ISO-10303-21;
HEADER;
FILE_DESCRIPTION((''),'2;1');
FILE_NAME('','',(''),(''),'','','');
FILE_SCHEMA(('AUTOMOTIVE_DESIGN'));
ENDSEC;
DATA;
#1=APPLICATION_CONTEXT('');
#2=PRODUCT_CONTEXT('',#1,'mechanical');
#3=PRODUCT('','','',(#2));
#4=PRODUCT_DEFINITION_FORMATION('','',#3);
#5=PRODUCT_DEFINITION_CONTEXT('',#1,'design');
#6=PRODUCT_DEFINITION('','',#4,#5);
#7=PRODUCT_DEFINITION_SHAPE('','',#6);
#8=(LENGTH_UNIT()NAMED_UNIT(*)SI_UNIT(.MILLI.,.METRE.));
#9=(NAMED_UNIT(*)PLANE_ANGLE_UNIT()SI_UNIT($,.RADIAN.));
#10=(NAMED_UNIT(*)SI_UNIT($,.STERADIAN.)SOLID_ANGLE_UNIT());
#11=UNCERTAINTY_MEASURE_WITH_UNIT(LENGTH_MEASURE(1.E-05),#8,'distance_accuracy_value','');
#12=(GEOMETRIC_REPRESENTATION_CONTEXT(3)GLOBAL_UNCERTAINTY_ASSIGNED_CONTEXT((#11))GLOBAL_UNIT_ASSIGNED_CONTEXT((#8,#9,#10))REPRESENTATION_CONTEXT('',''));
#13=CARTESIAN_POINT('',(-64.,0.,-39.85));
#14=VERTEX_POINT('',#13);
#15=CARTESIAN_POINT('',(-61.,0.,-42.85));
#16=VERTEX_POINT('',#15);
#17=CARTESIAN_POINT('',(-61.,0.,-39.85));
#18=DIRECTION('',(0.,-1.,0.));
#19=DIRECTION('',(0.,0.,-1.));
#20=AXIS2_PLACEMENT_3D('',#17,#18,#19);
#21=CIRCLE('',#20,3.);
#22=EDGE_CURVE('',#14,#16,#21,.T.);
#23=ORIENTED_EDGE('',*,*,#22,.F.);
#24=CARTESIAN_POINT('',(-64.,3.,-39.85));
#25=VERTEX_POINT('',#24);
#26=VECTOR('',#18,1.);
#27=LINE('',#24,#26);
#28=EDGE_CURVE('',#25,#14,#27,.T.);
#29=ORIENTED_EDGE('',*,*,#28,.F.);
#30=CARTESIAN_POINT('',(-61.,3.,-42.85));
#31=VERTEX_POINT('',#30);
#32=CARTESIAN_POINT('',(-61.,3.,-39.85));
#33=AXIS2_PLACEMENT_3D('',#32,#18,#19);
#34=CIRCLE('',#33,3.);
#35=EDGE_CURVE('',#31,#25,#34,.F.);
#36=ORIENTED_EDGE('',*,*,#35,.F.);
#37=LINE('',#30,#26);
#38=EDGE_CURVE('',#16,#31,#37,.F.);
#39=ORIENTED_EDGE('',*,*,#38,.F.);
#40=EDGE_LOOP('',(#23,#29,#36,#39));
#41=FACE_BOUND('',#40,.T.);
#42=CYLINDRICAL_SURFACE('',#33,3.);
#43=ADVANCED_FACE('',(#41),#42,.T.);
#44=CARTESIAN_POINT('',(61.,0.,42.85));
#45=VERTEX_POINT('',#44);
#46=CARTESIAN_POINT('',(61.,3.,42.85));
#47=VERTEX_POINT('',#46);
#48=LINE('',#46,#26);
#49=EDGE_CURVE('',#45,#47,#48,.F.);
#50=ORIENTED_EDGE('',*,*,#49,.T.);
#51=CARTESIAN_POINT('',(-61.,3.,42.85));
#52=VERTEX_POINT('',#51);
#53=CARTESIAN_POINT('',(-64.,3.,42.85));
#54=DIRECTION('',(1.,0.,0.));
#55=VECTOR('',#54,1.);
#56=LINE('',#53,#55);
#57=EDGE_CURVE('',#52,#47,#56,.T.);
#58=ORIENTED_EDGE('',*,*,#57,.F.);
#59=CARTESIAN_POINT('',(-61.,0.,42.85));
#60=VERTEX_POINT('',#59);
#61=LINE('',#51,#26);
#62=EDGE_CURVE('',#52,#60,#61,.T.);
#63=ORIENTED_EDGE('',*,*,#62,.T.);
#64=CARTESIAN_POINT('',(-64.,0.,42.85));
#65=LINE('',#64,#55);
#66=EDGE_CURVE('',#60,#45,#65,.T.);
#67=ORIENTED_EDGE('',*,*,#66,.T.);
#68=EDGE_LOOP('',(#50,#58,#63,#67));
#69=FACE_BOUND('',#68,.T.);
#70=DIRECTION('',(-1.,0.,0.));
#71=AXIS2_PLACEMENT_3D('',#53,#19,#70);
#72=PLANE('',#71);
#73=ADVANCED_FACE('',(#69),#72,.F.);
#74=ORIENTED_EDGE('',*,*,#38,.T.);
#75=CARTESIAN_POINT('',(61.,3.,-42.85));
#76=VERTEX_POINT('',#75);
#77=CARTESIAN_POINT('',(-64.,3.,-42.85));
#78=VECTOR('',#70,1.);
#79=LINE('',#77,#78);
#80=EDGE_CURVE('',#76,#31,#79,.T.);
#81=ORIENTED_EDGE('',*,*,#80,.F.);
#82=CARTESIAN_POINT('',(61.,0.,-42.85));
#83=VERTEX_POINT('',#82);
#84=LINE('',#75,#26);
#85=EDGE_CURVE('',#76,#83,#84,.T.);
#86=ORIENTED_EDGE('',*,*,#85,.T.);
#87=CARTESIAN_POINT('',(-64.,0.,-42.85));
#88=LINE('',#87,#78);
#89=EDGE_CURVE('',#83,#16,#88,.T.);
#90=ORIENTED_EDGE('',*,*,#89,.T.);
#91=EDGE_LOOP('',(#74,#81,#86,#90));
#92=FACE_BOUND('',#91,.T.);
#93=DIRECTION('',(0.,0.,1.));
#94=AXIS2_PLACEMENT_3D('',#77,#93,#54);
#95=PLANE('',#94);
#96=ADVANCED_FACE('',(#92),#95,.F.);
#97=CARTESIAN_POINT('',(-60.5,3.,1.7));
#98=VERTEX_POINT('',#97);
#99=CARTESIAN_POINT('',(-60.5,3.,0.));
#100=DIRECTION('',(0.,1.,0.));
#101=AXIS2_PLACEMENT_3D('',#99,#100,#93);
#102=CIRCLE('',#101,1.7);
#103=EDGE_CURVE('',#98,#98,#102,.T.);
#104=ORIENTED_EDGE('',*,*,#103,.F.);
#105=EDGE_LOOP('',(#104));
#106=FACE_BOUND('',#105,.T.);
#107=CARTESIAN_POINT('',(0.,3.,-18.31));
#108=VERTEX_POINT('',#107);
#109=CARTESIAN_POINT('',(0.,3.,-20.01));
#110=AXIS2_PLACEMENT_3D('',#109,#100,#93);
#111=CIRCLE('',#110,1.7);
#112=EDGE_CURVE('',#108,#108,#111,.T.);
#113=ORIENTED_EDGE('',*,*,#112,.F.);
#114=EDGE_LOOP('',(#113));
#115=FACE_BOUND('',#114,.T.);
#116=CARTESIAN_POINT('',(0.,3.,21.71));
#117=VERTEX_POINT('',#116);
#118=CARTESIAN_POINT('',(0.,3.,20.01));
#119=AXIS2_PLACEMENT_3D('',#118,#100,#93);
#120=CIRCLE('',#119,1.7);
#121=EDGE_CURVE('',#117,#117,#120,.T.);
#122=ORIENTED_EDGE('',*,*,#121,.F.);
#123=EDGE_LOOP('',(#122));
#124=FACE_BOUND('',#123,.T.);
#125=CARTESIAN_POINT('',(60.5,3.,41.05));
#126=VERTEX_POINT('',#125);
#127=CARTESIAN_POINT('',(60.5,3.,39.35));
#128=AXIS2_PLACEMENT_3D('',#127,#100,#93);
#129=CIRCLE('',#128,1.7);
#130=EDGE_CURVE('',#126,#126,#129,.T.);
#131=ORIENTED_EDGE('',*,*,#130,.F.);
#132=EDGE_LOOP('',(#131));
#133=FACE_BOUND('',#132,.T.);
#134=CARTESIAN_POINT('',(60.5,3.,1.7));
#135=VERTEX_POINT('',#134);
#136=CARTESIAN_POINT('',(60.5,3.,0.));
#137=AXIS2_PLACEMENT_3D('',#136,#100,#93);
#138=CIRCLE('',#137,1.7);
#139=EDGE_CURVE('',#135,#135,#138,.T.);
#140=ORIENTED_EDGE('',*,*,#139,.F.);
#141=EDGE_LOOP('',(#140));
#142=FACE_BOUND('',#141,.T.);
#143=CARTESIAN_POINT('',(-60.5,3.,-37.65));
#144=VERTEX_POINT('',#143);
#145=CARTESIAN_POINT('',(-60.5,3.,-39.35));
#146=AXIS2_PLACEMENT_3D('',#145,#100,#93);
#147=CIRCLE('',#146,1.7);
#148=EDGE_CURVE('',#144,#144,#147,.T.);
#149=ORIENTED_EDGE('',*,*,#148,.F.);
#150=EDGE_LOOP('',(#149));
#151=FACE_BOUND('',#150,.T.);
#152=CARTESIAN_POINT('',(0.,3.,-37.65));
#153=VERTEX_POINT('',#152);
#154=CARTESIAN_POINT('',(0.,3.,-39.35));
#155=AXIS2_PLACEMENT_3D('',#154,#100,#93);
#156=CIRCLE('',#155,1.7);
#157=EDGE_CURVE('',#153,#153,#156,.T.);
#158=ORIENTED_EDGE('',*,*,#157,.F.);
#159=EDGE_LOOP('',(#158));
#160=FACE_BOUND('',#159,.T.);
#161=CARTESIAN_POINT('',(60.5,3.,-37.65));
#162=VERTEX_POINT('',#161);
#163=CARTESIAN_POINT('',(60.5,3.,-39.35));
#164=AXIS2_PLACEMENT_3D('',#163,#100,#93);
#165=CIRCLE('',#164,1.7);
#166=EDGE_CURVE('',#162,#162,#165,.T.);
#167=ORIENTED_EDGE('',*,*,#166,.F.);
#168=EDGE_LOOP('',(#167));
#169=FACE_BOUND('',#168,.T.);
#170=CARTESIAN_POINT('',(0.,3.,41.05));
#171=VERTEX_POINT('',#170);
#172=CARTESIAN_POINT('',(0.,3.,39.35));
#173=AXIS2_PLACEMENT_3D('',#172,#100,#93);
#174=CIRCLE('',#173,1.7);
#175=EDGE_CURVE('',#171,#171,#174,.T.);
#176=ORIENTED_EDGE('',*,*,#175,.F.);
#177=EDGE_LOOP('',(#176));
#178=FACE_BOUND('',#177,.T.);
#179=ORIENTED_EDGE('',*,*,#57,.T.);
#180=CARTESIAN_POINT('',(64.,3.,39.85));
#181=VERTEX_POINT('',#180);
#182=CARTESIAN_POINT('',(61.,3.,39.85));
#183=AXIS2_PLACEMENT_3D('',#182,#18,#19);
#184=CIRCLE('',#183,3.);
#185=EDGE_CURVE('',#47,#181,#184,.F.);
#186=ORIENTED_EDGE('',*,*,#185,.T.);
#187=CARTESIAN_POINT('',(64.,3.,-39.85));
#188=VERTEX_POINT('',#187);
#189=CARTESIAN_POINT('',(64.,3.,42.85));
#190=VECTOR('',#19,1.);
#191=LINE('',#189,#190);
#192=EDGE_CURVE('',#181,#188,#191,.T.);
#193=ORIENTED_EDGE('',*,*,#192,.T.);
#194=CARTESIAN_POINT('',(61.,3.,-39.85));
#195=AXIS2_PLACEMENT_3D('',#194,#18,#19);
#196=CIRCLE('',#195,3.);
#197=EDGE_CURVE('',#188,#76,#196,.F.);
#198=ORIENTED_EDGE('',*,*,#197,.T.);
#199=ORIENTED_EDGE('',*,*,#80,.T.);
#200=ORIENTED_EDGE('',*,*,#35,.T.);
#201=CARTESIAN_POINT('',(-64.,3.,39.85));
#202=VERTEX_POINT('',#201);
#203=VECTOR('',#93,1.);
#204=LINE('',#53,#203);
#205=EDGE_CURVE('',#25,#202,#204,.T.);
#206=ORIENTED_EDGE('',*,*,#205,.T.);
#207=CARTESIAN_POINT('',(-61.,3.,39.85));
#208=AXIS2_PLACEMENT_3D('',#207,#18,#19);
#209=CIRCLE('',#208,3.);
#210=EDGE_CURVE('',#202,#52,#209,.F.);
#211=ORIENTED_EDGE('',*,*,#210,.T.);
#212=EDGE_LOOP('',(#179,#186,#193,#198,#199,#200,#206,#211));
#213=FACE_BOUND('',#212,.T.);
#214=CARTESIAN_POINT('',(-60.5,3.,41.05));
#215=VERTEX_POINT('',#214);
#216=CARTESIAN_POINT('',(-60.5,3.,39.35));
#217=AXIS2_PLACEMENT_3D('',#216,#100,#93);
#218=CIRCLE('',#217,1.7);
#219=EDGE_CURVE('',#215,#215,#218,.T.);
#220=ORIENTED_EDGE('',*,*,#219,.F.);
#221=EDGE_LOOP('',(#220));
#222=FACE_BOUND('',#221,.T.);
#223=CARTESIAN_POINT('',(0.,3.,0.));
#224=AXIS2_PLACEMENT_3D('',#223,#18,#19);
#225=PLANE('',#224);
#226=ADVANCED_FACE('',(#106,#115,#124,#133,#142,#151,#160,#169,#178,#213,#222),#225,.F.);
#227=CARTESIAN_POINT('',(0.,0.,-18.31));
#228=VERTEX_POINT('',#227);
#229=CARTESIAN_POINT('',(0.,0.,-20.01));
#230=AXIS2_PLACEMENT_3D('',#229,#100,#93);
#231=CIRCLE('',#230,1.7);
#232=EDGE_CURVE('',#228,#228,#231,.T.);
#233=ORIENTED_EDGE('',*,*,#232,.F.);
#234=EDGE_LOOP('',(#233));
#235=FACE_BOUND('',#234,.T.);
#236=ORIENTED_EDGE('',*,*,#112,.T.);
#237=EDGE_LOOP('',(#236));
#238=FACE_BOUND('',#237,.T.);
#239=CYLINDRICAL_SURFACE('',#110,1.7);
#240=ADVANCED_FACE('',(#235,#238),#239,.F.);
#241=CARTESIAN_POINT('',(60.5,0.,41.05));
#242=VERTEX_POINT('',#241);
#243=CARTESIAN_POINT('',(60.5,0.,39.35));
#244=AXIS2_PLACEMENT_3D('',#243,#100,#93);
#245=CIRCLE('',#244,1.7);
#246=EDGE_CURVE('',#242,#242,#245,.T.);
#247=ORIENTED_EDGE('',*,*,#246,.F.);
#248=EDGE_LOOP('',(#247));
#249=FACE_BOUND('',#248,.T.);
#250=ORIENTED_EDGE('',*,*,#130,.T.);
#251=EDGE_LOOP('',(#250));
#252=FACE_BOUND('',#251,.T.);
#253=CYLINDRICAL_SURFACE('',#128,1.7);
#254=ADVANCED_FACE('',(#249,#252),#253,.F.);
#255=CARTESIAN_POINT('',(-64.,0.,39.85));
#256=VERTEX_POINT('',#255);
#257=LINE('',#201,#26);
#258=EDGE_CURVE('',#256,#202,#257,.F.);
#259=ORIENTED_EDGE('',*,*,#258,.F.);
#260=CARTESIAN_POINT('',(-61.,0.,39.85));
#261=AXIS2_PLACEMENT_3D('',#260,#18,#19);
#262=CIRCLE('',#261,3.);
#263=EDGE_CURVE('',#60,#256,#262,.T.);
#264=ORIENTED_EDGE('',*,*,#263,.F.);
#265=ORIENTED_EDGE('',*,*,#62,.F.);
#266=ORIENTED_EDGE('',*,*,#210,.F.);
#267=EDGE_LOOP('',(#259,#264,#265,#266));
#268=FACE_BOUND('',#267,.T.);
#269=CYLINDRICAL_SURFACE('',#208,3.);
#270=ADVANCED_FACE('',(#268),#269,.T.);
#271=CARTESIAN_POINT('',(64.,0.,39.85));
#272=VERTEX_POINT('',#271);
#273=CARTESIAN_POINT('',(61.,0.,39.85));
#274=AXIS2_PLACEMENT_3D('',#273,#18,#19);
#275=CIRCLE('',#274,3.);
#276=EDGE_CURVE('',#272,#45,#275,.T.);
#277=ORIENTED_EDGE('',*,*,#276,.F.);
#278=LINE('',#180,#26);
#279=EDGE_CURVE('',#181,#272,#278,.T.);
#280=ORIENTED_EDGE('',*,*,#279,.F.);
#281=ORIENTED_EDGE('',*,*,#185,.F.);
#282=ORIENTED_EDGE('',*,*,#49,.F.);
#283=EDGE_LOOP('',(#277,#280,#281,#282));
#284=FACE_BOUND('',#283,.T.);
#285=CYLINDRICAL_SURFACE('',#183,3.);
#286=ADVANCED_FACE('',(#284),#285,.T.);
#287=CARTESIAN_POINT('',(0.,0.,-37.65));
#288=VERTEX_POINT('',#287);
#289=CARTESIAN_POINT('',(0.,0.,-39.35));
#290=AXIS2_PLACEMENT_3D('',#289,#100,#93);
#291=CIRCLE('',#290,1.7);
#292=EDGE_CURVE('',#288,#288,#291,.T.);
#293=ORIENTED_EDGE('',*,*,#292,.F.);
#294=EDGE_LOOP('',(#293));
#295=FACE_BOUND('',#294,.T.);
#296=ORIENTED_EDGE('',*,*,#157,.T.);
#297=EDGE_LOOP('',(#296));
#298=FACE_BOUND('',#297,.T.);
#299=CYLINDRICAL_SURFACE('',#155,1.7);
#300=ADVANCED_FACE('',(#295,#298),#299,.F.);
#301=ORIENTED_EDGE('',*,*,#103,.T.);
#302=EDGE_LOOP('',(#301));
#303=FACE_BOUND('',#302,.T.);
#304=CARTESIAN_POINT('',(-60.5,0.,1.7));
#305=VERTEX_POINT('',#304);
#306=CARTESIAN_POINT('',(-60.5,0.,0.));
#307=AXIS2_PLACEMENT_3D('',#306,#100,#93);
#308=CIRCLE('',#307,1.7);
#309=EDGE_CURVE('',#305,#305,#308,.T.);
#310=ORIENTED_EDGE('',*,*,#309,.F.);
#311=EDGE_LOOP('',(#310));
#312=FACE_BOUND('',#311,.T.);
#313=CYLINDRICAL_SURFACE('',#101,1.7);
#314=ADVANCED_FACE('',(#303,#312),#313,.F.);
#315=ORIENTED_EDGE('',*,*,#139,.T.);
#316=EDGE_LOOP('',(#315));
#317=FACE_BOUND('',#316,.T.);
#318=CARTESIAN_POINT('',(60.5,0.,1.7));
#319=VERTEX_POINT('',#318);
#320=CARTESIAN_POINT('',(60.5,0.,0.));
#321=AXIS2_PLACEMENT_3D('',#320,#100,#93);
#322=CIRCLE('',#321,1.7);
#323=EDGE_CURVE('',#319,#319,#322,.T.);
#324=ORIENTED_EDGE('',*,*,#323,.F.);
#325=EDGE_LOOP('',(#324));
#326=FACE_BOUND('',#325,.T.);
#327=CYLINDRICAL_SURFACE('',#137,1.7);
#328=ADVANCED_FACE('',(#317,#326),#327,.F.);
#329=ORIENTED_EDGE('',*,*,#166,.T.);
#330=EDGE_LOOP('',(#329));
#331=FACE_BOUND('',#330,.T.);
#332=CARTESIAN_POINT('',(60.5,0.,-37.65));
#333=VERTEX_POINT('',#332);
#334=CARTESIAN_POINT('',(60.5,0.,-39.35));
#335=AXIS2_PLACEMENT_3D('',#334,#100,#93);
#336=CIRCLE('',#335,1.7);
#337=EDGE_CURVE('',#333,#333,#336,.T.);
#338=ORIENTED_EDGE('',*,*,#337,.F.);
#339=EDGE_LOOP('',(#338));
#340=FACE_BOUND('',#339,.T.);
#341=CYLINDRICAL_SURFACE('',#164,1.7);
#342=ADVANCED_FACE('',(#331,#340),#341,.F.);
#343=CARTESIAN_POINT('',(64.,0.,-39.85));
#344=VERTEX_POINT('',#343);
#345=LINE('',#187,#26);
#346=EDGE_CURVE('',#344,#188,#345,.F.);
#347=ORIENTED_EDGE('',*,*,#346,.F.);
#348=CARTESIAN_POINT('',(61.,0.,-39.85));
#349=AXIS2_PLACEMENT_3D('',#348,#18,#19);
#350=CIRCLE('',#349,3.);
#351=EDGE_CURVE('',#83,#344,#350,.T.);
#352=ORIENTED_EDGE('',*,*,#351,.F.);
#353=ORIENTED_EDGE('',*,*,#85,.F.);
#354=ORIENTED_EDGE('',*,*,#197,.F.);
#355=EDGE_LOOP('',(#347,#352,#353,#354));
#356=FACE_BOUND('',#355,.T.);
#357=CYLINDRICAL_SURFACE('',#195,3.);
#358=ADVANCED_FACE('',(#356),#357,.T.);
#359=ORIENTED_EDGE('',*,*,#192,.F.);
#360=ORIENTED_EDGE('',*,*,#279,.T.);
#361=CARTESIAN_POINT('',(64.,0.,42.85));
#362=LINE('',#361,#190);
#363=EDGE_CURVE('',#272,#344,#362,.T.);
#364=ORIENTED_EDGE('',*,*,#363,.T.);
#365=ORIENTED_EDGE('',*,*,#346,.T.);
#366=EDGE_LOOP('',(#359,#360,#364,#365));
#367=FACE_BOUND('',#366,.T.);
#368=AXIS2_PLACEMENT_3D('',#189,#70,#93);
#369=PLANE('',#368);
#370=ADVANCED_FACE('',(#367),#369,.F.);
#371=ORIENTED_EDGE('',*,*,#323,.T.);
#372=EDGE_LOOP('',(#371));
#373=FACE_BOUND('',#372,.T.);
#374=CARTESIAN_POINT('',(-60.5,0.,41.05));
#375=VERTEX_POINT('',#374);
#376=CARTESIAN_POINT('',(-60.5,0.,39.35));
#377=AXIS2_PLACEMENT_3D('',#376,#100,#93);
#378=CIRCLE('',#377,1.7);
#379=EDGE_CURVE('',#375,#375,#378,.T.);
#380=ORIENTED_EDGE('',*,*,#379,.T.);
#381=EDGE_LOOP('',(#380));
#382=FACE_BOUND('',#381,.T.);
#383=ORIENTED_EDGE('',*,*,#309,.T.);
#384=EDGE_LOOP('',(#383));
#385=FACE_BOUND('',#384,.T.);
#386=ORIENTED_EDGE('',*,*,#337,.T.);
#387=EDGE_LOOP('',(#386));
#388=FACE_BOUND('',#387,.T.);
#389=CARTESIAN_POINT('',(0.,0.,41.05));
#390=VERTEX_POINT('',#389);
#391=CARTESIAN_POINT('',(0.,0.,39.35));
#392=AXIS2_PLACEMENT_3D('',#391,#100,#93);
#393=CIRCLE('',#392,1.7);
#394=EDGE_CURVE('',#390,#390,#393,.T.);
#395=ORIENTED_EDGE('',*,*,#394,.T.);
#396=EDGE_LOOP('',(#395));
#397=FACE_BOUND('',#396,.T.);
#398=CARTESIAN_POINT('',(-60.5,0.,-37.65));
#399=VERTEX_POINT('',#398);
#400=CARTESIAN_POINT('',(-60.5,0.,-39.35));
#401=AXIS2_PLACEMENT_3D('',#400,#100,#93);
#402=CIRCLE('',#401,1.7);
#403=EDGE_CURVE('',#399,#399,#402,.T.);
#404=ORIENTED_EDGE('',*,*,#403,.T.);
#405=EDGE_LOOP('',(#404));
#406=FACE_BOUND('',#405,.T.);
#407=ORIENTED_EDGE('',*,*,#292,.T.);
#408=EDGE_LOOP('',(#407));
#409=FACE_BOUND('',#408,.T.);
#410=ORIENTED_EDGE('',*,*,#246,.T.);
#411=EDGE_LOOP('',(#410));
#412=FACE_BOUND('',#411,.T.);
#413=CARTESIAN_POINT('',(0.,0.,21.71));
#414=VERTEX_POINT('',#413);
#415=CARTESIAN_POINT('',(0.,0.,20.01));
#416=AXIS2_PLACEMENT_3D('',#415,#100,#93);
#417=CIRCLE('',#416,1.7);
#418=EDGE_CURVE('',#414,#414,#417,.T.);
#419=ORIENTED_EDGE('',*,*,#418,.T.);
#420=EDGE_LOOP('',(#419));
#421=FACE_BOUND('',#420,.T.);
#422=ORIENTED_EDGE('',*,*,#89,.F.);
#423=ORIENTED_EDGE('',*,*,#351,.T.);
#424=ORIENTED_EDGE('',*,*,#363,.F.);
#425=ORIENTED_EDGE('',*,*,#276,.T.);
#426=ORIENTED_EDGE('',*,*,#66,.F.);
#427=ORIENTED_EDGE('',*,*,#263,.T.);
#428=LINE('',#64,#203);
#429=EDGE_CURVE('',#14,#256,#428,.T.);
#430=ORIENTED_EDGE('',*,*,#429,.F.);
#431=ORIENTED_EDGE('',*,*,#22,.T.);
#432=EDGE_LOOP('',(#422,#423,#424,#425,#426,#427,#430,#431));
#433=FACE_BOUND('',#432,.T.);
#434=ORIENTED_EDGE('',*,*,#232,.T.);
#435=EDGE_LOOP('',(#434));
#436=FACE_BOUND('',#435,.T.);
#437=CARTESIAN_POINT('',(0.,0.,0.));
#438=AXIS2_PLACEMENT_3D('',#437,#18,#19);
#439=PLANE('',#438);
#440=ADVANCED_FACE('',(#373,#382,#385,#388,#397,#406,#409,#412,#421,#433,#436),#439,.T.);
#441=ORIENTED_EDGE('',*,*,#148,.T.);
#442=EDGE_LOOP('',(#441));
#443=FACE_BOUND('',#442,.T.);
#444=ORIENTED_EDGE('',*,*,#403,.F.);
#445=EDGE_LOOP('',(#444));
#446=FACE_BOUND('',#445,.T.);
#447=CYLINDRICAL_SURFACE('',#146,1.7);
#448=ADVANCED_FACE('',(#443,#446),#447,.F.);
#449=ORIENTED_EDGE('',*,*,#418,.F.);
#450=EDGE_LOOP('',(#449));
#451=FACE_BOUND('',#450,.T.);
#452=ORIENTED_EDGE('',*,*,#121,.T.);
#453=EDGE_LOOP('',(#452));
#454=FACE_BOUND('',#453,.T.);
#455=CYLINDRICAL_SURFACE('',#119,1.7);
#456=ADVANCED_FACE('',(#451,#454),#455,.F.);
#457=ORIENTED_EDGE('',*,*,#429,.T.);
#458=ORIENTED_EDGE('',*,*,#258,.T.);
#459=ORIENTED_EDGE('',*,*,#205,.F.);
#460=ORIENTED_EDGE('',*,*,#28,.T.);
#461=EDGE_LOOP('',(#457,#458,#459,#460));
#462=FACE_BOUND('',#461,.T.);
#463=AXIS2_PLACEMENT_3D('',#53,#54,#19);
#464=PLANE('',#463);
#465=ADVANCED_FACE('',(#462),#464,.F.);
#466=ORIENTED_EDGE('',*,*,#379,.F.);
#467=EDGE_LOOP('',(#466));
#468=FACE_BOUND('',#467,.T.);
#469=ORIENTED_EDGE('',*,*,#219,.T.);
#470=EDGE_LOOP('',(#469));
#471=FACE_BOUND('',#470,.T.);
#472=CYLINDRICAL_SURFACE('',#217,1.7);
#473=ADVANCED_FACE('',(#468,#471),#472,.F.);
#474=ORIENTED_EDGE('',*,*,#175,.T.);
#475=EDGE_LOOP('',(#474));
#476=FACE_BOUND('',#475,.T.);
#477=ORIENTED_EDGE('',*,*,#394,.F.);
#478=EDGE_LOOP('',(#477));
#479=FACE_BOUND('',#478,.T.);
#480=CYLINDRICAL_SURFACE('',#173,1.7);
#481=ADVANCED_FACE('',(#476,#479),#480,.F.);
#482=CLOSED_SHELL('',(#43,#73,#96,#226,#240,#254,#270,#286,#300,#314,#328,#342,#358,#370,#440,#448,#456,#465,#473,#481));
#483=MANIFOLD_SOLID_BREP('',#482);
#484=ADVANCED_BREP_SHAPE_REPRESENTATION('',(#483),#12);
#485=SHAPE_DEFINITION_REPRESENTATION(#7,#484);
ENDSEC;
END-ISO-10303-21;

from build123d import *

# Parameters (mm, degrees)
SKETCH1_W            = 128
SKETCH1_H            = 85.7
BOSS_EXTRUDE1_DEPTH  = 3
M3_CLEARANCE_HOLE1_D = 3.4
FILLET1_R            = 3


with BuildPart() as part:
    # Sketch1 → Boss-Extrude1 (new body)
    with BuildSketch(Plane(origin=(0, 0, 0), x_dir=(1, 0, 0), z_dir=(0, 1, 0))):
        Rectangle(SKETCH1_W, SKETCH1_H)
    extrude(amount=BOSS_EXTRUDE1_DEPTH)

    # M3 Clearance Hole1 (through all)
    with Locations(Plane(origin=(0, 3, 0), x_dir=(1, 0, 0), z_dir=(0, 1, 0))):
        with Locations((-60.5, 39.35), (0, 39.35), (60.5, 39.35), (60.5, 0), (60.5, -39.35), (0, -39.35), (-60.5, -39.35), (-60.5, 0), (0, -20.01), (0, 20.01)):
            Hole(M3_CLEARANCE_HOLE1_D / 2)

    # Fillet1
    fillet1_edges = [part.edges().sort_by_distance(p)[0] for p in [
        (64, 1.5, 42.85),
        (-64, 1.5, 42.85),
        (-64, 1.5, -42.85),
        (64, 1.5, -42.85),
    ]]
    fillet(fillet1_edges, radius=FILLET1_R)


solid = part.part
